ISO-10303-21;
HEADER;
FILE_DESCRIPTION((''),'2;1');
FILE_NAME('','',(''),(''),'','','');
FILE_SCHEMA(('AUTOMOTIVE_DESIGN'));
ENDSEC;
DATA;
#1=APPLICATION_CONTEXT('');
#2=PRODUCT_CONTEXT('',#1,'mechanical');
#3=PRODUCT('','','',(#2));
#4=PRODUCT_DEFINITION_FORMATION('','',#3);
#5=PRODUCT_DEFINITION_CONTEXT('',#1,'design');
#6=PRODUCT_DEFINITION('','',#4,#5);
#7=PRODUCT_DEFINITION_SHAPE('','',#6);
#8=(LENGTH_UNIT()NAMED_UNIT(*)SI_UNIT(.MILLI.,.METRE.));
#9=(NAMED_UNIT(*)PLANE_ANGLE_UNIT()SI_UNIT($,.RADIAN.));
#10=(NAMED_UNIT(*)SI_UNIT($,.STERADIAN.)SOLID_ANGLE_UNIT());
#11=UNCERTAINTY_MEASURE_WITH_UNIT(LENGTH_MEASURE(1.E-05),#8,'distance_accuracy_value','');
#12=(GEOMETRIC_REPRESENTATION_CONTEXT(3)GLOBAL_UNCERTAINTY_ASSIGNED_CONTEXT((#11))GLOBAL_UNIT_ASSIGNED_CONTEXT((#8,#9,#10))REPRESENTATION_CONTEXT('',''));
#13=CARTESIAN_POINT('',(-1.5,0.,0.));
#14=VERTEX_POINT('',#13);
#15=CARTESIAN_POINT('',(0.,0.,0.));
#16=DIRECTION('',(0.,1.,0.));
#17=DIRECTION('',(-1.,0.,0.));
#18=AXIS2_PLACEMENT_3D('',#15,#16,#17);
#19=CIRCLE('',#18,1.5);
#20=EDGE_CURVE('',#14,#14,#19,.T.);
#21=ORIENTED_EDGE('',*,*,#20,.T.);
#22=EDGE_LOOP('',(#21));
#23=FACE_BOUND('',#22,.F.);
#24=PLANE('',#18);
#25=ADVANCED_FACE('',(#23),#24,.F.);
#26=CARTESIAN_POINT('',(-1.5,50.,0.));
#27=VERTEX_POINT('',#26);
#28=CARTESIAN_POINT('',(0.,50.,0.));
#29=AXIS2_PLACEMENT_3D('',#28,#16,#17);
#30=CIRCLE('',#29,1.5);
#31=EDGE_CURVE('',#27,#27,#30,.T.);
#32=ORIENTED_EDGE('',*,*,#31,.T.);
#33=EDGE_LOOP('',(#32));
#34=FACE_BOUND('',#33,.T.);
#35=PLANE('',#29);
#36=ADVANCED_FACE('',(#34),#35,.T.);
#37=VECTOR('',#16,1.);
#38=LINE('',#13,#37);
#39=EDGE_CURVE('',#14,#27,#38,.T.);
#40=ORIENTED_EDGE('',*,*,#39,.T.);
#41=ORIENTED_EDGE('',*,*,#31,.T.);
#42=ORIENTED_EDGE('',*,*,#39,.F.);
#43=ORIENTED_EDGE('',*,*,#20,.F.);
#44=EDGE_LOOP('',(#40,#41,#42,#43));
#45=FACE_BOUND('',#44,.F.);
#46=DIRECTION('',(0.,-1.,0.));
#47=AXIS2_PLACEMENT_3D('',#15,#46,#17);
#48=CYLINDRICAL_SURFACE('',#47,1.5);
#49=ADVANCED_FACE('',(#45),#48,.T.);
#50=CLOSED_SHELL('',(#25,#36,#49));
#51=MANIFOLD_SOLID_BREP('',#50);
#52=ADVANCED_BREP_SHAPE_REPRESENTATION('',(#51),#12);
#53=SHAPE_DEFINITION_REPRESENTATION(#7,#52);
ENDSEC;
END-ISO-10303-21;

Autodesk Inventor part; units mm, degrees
ref_plane "YZ Plane" through (0, 0, 0) normal (1, 0, 0) x (0, 1, 0)
ref_plane "XZ Plane" through (0, 0, 0) normal (0, 1, 0) x (-1, 0, 0)
ref_plane "XY Plane" through (0, 0, 0) normal (0, 0, 1) x (1, 0, 0)
sketch "Sketch1" plane through (0, 0, 0) normal (0, 1, 0) x (-1, 0, 0)
  circle A0 centre (0, 0) radius 1.5
  dimension "d0" = 3
extrude "Extrusion1" add sketch "Sketch1" along normal blind 50
properties part number "Standoff 50mm"
